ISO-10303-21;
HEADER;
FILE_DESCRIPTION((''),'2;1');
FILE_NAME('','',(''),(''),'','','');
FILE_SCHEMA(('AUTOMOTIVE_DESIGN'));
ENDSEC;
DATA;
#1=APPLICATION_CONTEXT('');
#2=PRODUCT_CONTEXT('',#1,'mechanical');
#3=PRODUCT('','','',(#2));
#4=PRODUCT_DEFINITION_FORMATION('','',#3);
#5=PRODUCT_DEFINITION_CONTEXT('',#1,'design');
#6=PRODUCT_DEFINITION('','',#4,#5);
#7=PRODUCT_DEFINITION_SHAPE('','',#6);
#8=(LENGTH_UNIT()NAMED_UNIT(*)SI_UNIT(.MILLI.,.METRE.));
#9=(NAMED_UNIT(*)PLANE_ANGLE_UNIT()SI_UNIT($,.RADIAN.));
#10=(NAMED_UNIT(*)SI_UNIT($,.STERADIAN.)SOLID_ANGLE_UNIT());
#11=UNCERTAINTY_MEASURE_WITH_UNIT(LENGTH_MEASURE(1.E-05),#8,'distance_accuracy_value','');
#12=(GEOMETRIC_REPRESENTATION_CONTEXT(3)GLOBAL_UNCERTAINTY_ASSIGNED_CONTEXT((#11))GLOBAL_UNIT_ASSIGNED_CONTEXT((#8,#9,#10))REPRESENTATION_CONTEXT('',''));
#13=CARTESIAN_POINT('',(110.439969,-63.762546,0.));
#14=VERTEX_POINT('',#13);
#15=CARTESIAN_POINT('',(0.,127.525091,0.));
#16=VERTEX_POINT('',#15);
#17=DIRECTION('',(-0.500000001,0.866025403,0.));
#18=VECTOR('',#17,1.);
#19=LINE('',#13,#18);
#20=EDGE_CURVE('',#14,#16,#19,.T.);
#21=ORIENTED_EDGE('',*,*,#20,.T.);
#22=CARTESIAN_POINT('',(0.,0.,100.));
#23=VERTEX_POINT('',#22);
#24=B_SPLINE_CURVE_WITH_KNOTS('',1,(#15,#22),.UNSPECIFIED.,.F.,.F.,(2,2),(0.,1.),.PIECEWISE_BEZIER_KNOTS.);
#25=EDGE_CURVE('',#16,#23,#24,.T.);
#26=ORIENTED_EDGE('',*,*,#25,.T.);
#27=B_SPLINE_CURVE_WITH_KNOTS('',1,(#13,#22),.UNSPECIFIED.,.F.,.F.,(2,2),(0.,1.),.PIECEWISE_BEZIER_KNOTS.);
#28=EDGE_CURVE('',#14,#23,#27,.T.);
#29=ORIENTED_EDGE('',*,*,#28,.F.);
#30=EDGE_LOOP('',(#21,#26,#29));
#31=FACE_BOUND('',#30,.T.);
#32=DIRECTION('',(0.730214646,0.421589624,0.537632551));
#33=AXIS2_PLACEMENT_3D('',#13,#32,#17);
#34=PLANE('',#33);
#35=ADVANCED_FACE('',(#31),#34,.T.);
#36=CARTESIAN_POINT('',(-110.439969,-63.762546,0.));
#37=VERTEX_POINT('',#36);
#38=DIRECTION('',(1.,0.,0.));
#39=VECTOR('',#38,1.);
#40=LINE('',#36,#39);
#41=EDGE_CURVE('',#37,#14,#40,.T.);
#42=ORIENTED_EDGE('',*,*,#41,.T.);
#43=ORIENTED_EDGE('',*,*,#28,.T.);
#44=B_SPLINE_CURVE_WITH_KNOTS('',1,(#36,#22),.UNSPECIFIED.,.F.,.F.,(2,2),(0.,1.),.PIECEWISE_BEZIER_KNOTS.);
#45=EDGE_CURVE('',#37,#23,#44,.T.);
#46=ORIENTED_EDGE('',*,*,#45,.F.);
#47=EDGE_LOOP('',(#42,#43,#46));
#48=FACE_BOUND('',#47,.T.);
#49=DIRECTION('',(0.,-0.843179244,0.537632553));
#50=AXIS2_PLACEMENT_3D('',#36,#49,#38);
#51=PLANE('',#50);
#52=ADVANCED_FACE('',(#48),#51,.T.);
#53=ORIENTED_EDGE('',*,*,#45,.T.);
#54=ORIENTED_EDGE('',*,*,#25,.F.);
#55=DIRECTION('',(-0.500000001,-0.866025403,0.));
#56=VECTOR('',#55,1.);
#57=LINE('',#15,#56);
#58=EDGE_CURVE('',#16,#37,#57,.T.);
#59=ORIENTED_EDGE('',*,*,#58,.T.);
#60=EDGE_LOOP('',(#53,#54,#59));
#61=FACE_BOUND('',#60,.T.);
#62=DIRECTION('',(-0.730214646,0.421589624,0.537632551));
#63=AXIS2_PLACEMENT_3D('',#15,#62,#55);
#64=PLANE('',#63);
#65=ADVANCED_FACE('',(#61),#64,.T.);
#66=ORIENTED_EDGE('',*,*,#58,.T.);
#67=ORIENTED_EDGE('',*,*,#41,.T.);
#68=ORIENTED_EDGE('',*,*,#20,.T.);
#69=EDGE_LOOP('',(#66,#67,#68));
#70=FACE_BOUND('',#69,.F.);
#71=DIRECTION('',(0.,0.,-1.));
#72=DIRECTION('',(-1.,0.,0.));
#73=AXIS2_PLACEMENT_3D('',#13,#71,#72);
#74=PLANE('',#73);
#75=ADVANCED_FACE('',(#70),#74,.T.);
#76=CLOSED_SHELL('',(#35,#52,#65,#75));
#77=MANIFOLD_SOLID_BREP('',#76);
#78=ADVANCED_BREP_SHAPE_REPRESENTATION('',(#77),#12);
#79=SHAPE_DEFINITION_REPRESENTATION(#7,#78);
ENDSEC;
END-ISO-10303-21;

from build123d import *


with BuildPart() as f3:
    # F0 (on Top) → F3 section 0
    with BuildSketch(Plane.XY, mode=Mode.PRIVATE) as f3_s0:
        Polygon((110.439969, -63.762546), (0, 127.525091), (-110.439969, -63.762546), align=None)
    loft([f3_s0.sketch, Vertex(0, 0, 100)])


solid = f3.part
